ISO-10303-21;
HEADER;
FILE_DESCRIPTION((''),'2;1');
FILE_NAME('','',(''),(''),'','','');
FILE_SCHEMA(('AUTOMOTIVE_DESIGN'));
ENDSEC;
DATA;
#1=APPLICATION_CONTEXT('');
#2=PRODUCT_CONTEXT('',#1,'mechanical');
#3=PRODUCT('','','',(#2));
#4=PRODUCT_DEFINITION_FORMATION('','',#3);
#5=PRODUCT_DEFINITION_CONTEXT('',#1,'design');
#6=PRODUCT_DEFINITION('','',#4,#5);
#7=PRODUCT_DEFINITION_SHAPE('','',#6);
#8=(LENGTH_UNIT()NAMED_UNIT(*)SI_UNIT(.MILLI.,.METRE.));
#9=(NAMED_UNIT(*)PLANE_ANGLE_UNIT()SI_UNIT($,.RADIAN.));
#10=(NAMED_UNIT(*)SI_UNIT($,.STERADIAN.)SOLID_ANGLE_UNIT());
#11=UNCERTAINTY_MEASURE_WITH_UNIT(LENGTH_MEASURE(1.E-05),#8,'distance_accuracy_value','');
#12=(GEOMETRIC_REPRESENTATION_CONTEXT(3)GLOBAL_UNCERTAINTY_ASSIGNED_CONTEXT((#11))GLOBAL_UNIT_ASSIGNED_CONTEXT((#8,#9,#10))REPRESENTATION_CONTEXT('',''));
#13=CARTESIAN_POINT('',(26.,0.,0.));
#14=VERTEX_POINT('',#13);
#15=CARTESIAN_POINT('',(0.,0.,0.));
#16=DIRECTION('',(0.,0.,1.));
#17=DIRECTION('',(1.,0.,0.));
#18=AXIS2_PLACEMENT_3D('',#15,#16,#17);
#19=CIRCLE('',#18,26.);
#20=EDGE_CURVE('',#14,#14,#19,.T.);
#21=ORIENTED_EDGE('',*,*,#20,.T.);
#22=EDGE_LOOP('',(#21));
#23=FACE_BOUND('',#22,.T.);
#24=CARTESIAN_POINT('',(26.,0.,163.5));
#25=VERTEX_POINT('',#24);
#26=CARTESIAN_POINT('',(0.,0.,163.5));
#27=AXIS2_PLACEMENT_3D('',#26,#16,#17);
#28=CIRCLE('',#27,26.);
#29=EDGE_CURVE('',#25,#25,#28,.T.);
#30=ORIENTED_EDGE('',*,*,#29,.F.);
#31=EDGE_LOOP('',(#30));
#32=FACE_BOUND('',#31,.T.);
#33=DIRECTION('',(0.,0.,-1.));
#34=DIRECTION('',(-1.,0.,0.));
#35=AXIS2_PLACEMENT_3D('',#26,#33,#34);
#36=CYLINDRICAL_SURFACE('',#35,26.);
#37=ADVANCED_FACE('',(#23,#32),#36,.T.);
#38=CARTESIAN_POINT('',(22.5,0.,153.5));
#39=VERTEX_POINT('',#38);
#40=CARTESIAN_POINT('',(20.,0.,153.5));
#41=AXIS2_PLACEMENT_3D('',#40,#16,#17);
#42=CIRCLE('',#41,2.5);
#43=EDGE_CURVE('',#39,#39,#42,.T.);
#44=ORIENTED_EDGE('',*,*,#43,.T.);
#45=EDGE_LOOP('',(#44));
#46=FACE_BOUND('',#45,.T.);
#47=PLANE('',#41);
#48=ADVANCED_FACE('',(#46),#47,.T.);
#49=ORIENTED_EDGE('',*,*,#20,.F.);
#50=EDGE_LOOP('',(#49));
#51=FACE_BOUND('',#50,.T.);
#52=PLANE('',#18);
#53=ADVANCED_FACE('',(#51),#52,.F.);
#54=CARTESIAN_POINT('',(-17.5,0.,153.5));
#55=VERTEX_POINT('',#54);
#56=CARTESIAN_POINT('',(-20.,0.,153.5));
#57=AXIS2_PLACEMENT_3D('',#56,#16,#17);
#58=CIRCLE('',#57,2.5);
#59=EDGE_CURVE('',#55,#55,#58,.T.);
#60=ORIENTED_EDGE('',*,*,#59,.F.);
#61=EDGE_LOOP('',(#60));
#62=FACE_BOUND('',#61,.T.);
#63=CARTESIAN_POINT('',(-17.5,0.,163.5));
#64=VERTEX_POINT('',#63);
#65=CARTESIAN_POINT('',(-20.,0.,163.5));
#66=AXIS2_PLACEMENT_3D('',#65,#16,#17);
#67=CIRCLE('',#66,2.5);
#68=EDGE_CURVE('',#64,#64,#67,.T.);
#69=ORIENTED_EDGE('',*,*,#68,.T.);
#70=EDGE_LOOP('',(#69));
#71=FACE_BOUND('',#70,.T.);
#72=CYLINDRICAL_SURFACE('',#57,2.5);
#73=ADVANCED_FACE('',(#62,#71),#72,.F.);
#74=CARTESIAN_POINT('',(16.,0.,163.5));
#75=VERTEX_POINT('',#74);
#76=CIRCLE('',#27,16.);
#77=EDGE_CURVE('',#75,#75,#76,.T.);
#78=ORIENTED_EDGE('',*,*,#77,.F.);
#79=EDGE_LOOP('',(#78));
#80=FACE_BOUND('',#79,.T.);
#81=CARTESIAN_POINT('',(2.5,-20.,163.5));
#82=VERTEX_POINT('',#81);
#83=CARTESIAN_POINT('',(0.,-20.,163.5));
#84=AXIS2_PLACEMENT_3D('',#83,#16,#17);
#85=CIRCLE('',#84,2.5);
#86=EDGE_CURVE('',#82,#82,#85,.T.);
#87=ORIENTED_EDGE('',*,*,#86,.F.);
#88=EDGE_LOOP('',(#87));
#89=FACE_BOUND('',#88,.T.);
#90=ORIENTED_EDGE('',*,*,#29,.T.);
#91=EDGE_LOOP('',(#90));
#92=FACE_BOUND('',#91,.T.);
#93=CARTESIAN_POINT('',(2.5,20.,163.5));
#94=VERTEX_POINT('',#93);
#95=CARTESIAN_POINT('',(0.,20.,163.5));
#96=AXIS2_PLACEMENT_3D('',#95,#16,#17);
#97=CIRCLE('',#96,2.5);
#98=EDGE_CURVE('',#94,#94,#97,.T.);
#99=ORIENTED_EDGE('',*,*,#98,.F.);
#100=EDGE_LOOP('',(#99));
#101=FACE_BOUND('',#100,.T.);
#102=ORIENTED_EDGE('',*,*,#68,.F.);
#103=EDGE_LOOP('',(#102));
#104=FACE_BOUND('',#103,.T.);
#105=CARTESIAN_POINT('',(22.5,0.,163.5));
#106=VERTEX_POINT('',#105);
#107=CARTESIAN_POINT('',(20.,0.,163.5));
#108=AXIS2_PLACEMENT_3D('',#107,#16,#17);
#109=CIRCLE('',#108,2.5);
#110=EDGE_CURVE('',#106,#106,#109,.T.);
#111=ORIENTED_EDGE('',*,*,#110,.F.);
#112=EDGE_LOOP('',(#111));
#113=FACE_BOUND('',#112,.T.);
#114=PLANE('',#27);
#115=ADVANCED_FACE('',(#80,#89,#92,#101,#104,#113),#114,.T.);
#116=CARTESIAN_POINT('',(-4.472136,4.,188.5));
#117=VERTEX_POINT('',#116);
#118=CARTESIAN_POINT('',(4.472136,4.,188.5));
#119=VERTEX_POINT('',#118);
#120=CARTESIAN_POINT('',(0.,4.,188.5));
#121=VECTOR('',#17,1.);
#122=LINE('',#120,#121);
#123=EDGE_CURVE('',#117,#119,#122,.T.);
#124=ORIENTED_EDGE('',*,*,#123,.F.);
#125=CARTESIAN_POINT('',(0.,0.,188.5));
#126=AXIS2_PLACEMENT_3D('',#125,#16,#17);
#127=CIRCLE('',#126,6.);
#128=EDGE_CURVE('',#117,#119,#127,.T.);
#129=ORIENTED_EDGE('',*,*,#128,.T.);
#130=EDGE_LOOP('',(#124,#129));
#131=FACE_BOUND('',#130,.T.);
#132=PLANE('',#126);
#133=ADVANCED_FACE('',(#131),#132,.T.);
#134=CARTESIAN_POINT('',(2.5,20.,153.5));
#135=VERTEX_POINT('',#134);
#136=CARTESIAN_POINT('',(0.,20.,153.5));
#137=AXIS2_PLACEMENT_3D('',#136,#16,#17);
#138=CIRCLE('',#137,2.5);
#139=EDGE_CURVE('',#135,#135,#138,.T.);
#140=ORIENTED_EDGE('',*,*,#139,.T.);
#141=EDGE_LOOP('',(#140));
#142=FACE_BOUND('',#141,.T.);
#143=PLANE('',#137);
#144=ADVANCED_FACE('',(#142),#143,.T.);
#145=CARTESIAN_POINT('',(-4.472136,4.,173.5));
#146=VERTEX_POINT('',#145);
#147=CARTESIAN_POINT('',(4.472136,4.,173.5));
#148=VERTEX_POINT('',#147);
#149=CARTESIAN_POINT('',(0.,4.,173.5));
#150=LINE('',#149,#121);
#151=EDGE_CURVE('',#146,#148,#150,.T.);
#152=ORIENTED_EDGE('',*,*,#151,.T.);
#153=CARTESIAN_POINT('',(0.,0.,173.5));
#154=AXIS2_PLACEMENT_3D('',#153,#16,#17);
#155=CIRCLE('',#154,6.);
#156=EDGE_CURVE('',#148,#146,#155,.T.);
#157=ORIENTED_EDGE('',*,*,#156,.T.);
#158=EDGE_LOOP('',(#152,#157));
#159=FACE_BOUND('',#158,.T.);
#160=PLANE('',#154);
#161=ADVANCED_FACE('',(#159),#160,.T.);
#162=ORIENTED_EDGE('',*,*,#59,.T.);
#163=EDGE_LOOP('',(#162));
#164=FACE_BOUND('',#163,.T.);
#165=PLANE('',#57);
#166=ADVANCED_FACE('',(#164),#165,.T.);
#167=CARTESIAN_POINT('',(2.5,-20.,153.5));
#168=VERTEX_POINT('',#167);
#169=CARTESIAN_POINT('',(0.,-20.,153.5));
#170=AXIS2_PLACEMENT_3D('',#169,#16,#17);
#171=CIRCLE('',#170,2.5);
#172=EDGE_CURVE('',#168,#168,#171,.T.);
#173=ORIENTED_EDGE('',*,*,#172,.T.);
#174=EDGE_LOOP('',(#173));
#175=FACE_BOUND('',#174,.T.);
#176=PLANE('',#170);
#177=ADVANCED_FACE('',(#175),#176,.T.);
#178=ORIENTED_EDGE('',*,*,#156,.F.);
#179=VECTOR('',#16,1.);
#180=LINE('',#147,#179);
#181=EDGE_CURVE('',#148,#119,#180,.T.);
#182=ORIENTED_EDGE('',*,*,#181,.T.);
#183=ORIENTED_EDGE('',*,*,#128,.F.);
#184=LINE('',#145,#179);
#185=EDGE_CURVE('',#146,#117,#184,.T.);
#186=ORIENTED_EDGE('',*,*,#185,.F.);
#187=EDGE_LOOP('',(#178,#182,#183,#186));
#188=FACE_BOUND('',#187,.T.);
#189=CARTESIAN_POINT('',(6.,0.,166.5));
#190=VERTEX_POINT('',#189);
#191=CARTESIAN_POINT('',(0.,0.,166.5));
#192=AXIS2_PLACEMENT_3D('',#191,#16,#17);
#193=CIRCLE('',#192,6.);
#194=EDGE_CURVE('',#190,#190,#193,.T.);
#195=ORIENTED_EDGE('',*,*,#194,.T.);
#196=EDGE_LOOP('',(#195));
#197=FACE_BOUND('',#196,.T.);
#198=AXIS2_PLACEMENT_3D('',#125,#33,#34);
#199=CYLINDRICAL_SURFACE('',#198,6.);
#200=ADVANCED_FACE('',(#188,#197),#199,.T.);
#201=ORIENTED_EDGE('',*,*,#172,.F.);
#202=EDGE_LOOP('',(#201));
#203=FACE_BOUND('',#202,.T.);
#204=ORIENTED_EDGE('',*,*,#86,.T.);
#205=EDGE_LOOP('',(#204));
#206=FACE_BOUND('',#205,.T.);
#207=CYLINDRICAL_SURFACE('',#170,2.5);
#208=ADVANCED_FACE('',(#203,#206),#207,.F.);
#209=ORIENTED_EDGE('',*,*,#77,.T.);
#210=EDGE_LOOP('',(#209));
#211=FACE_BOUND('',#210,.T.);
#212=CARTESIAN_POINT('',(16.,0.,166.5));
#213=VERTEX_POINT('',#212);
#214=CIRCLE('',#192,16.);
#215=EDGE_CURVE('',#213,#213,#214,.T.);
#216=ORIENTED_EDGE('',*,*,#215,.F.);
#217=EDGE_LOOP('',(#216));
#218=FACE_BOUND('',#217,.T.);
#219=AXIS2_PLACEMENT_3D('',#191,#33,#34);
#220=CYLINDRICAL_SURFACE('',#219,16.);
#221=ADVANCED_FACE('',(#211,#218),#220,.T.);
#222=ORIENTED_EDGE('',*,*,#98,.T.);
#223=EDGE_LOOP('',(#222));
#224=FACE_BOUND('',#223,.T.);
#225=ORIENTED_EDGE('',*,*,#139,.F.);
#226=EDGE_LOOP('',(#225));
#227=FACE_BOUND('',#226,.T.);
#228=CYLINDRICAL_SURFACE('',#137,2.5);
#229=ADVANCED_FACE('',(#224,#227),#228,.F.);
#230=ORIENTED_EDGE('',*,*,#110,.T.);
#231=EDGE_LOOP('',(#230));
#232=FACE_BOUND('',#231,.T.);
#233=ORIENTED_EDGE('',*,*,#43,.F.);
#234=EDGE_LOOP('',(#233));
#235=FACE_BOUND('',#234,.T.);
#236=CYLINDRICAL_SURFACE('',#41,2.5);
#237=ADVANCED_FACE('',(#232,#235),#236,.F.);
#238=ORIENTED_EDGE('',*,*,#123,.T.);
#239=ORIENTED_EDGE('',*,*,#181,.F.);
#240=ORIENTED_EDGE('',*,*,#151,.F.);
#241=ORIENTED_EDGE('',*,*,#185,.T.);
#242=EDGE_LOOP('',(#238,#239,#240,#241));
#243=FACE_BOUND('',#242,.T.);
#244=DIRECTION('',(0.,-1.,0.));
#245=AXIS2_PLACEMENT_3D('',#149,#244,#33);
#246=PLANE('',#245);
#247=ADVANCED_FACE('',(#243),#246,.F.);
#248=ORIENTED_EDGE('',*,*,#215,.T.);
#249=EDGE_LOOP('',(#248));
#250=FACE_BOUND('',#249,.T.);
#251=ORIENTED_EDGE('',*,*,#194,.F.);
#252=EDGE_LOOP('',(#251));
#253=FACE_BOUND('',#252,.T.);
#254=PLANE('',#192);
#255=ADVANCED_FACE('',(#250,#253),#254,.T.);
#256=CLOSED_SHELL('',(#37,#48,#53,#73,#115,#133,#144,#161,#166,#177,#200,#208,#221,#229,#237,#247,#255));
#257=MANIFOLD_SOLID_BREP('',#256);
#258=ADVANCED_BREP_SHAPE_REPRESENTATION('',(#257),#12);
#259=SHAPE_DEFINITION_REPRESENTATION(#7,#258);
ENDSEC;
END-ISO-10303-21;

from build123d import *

# Parameters (mm, degrees)
SKETCH1_R           = 26
BOSS_EXTRUDE1_DEPTH = 163.5
SKETCH2_R           = 16
BOSS_EXTRUDE2_DEPTH = 3
SKETCH3_R           = 6
BOSS_EXTRUDE3_DEPTH = 22
CUT_EXTRUDE1_DEPTH  = 15
SKETCH6_R           = 2.5
CUT_EXTRUDE2_DEPTH  = 10


with BuildPart() as part:
    # Sketch1 → Boss-Extrude1 (new body)
    with BuildSketch(Plane.XY):
        Circle(SKETCH1_R)
    extrude(amount=BOSS_EXTRUDE1_DEPTH)

    # Sketch2 → Boss-Extrude2 (add)
    with BuildSketch(Plane.XY.offset(163.5)):
        Circle(SKETCH2_R)
    extrude(amount=BOSS_EXTRUDE2_DEPTH)

    # Sketch3 → Boss-Extrude3 (add)
    with BuildSketch(Plane.XY.offset(166.5)):
        Circle(SKETCH3_R)
    extrude(amount=BOSS_EXTRUDE3_DEPTH)

    # Sketch4 → Cut-Extrude1 (cut)
    with BuildSketch(Plane.XY.offset(188.5)):
        with BuildLine():
            ThreePointArc((0, 6), (-2.449489743, 5.477225575), (-4.472135955, 4))
            Line((-4.472135955, 4), (0, 4))
            Line((0, 4), (0, 6))
        make_face()
        with BuildLine():
            Line((0, 6), (0, 4))
            Line((0, 4), (4.472135955, 4))
            ThreePointArc((4.472135955, 4), (2.449489743, 5.477225575), (0, 6))
        make_face()
    extrude(amount=-CUT_EXTRUDE1_DEPTH, mode=Mode.SUBTRACT)

    # Sketch6 → Cut-Extrude2 (cut)
    with BuildSketch(Plane.XY.offset(163.5)):
        with Locations((0, 20)):
            Circle(SKETCH6_R)
        with Locations((20, 0)):
            Circle(SKETCH6_R)
        with Locations((0, -20)):
            Circle(SKETCH6_R)
        with Locations((-20, 0)):
            Circle(SKETCH6_R)
    extrude(amount=-CUT_EXTRUDE2_DEPTH, mode=Mode.SUBTRACT)


solid = part.part
